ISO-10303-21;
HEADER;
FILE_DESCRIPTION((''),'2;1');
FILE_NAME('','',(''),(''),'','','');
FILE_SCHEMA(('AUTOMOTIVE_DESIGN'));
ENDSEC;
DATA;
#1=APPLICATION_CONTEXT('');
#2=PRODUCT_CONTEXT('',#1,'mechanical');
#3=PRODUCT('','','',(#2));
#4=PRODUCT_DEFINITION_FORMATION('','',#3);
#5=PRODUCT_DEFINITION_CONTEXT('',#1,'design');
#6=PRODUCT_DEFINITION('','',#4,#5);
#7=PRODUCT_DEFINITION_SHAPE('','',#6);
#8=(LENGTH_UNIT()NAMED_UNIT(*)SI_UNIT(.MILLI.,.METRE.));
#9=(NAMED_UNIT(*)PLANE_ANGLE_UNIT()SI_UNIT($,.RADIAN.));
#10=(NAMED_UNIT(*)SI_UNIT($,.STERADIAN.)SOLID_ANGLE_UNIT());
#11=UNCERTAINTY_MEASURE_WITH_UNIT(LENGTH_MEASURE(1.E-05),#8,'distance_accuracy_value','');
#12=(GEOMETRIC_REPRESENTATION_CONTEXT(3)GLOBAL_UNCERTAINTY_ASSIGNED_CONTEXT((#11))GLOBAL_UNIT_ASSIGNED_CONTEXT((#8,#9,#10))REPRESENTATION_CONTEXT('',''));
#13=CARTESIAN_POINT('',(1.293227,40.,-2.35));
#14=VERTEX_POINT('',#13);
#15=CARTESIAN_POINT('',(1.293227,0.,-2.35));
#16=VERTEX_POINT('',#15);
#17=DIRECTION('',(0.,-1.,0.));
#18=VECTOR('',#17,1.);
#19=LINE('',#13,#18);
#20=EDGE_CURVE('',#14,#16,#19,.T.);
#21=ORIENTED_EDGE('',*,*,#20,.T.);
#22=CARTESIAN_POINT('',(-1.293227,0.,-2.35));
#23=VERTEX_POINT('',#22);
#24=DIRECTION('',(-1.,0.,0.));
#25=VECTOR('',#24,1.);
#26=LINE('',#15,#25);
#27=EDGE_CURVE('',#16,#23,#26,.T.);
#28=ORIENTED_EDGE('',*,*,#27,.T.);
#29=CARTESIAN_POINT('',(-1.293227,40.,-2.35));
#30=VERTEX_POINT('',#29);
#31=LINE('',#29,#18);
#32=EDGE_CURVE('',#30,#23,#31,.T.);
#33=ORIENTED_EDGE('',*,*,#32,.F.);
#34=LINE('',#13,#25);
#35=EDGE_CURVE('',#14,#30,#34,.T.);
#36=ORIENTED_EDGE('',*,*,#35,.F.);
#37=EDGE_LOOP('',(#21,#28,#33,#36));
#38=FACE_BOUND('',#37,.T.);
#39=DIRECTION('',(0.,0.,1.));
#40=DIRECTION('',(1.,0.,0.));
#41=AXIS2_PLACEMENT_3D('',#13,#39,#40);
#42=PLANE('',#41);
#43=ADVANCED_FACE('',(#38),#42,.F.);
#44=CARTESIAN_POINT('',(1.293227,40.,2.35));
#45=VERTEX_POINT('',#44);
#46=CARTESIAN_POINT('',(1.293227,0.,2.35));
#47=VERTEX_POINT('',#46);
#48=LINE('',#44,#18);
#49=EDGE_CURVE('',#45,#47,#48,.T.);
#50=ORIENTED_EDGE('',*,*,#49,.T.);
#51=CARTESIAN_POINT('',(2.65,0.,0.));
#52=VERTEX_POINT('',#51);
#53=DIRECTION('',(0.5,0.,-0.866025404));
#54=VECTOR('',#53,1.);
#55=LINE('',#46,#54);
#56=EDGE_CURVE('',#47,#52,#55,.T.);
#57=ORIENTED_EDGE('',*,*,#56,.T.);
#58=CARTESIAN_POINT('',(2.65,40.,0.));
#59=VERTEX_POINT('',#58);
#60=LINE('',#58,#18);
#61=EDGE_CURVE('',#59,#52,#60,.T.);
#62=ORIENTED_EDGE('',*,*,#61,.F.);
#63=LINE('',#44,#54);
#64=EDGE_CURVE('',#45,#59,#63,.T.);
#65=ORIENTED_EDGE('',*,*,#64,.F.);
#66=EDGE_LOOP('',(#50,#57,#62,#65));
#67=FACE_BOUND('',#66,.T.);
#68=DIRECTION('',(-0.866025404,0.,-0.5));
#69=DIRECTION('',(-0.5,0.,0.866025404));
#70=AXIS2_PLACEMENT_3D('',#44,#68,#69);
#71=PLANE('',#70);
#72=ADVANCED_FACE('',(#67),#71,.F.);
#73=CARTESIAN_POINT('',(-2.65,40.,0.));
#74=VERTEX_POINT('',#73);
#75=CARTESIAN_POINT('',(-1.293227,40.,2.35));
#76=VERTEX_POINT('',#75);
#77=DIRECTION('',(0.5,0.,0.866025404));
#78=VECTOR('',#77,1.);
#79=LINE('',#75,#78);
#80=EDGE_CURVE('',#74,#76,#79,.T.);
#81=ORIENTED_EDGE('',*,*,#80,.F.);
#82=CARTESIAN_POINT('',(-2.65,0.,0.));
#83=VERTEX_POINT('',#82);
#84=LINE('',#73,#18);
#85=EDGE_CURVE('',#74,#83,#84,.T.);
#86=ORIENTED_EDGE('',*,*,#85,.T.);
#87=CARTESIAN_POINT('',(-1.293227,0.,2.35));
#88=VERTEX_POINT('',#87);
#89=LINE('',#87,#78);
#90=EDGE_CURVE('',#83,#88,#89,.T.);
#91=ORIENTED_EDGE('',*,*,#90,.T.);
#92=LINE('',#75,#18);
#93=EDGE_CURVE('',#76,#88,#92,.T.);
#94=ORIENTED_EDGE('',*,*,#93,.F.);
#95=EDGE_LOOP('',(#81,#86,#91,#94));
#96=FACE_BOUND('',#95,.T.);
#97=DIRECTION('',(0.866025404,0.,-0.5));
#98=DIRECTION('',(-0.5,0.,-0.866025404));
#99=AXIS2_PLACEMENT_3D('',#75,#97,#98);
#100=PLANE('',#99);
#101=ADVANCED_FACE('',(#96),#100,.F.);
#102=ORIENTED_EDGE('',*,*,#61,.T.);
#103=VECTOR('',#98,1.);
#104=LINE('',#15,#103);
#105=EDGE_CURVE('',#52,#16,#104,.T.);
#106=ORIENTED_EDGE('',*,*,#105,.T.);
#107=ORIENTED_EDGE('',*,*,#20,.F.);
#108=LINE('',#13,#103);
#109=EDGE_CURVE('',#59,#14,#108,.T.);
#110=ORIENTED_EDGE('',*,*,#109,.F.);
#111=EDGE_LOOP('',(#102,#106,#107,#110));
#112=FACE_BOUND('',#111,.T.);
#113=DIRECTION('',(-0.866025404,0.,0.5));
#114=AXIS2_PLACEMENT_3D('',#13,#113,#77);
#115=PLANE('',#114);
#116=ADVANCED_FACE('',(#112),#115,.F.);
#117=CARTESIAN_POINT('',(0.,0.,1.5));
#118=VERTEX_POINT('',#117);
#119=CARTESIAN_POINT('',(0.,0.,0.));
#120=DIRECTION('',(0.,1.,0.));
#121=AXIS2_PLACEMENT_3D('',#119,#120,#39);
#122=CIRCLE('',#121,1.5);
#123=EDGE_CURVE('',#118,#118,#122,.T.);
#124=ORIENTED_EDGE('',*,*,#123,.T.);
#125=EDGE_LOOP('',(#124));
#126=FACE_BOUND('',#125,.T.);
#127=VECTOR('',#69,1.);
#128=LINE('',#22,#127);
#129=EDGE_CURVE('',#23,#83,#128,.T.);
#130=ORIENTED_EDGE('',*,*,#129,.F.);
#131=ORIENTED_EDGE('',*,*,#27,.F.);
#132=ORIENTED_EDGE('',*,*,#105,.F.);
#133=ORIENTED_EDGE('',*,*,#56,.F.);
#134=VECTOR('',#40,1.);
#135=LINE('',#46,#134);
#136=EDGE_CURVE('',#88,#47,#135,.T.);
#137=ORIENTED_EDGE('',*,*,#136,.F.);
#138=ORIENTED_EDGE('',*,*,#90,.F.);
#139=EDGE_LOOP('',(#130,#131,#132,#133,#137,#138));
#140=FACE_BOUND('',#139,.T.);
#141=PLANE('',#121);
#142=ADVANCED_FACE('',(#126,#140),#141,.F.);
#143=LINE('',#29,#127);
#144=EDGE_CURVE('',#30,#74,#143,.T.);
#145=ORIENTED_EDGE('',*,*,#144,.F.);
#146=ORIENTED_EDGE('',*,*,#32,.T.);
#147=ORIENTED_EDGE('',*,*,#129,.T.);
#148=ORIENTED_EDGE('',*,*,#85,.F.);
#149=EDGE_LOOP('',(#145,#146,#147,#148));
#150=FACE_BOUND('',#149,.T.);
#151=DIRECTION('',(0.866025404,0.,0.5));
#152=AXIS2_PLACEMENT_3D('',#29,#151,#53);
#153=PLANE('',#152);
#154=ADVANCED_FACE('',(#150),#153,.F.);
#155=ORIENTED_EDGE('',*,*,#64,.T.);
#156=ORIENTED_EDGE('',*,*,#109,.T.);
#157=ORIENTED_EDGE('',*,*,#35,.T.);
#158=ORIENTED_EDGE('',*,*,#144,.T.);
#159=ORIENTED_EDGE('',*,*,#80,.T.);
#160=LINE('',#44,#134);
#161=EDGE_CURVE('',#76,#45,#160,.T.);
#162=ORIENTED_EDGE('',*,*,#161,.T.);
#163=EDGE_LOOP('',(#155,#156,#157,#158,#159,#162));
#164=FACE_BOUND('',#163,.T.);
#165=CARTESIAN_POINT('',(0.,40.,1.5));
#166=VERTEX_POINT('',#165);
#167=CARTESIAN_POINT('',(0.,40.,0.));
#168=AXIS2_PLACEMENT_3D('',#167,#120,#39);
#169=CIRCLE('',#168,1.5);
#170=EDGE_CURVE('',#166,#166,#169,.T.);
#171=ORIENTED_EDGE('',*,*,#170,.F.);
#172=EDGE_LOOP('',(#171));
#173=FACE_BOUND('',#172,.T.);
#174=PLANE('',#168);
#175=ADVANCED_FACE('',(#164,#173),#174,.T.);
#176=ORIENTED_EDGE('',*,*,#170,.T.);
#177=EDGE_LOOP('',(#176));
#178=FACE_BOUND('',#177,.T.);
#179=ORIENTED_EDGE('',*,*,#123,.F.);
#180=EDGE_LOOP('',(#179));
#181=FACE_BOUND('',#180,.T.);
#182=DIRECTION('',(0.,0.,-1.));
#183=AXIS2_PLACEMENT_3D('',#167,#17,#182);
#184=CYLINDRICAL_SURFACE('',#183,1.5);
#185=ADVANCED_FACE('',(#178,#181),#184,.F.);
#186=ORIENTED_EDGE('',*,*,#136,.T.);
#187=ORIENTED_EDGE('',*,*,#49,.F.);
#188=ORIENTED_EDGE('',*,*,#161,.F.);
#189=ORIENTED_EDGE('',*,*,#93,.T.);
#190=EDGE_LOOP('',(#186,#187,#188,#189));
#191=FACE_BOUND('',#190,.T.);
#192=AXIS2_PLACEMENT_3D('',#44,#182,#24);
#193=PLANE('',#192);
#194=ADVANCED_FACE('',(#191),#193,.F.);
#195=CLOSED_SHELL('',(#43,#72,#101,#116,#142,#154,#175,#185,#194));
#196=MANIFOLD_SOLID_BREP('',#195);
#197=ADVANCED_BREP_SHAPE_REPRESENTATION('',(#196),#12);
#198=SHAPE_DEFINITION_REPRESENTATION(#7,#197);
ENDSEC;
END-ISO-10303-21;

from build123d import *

# Parameters (mm, degrees)
SKETCH_1_R      = 1.5
EXTRUDE_1_DEPTH = 40


with BuildPart() as part:
    # 草图1 → 凸台-拉伸1 (new body)
    with BuildSketch(Plane(origin=(0, 0, 0), x_dir=(1, 0, 0), z_dir=(0, 1, 0))):
        Polygon((1.293226867, 2.35), (-1.293226867, 2.35), (-2.65, 0), (-1.293226867, -2.35), (1.293226867, -2.35), (2.65, 0), align=None)
        Circle(SKETCH_1_R, mode=Mode.SUBTRACT)
    extrude(amount=EXTRUDE_1_DEPTH)


solid = part.part
